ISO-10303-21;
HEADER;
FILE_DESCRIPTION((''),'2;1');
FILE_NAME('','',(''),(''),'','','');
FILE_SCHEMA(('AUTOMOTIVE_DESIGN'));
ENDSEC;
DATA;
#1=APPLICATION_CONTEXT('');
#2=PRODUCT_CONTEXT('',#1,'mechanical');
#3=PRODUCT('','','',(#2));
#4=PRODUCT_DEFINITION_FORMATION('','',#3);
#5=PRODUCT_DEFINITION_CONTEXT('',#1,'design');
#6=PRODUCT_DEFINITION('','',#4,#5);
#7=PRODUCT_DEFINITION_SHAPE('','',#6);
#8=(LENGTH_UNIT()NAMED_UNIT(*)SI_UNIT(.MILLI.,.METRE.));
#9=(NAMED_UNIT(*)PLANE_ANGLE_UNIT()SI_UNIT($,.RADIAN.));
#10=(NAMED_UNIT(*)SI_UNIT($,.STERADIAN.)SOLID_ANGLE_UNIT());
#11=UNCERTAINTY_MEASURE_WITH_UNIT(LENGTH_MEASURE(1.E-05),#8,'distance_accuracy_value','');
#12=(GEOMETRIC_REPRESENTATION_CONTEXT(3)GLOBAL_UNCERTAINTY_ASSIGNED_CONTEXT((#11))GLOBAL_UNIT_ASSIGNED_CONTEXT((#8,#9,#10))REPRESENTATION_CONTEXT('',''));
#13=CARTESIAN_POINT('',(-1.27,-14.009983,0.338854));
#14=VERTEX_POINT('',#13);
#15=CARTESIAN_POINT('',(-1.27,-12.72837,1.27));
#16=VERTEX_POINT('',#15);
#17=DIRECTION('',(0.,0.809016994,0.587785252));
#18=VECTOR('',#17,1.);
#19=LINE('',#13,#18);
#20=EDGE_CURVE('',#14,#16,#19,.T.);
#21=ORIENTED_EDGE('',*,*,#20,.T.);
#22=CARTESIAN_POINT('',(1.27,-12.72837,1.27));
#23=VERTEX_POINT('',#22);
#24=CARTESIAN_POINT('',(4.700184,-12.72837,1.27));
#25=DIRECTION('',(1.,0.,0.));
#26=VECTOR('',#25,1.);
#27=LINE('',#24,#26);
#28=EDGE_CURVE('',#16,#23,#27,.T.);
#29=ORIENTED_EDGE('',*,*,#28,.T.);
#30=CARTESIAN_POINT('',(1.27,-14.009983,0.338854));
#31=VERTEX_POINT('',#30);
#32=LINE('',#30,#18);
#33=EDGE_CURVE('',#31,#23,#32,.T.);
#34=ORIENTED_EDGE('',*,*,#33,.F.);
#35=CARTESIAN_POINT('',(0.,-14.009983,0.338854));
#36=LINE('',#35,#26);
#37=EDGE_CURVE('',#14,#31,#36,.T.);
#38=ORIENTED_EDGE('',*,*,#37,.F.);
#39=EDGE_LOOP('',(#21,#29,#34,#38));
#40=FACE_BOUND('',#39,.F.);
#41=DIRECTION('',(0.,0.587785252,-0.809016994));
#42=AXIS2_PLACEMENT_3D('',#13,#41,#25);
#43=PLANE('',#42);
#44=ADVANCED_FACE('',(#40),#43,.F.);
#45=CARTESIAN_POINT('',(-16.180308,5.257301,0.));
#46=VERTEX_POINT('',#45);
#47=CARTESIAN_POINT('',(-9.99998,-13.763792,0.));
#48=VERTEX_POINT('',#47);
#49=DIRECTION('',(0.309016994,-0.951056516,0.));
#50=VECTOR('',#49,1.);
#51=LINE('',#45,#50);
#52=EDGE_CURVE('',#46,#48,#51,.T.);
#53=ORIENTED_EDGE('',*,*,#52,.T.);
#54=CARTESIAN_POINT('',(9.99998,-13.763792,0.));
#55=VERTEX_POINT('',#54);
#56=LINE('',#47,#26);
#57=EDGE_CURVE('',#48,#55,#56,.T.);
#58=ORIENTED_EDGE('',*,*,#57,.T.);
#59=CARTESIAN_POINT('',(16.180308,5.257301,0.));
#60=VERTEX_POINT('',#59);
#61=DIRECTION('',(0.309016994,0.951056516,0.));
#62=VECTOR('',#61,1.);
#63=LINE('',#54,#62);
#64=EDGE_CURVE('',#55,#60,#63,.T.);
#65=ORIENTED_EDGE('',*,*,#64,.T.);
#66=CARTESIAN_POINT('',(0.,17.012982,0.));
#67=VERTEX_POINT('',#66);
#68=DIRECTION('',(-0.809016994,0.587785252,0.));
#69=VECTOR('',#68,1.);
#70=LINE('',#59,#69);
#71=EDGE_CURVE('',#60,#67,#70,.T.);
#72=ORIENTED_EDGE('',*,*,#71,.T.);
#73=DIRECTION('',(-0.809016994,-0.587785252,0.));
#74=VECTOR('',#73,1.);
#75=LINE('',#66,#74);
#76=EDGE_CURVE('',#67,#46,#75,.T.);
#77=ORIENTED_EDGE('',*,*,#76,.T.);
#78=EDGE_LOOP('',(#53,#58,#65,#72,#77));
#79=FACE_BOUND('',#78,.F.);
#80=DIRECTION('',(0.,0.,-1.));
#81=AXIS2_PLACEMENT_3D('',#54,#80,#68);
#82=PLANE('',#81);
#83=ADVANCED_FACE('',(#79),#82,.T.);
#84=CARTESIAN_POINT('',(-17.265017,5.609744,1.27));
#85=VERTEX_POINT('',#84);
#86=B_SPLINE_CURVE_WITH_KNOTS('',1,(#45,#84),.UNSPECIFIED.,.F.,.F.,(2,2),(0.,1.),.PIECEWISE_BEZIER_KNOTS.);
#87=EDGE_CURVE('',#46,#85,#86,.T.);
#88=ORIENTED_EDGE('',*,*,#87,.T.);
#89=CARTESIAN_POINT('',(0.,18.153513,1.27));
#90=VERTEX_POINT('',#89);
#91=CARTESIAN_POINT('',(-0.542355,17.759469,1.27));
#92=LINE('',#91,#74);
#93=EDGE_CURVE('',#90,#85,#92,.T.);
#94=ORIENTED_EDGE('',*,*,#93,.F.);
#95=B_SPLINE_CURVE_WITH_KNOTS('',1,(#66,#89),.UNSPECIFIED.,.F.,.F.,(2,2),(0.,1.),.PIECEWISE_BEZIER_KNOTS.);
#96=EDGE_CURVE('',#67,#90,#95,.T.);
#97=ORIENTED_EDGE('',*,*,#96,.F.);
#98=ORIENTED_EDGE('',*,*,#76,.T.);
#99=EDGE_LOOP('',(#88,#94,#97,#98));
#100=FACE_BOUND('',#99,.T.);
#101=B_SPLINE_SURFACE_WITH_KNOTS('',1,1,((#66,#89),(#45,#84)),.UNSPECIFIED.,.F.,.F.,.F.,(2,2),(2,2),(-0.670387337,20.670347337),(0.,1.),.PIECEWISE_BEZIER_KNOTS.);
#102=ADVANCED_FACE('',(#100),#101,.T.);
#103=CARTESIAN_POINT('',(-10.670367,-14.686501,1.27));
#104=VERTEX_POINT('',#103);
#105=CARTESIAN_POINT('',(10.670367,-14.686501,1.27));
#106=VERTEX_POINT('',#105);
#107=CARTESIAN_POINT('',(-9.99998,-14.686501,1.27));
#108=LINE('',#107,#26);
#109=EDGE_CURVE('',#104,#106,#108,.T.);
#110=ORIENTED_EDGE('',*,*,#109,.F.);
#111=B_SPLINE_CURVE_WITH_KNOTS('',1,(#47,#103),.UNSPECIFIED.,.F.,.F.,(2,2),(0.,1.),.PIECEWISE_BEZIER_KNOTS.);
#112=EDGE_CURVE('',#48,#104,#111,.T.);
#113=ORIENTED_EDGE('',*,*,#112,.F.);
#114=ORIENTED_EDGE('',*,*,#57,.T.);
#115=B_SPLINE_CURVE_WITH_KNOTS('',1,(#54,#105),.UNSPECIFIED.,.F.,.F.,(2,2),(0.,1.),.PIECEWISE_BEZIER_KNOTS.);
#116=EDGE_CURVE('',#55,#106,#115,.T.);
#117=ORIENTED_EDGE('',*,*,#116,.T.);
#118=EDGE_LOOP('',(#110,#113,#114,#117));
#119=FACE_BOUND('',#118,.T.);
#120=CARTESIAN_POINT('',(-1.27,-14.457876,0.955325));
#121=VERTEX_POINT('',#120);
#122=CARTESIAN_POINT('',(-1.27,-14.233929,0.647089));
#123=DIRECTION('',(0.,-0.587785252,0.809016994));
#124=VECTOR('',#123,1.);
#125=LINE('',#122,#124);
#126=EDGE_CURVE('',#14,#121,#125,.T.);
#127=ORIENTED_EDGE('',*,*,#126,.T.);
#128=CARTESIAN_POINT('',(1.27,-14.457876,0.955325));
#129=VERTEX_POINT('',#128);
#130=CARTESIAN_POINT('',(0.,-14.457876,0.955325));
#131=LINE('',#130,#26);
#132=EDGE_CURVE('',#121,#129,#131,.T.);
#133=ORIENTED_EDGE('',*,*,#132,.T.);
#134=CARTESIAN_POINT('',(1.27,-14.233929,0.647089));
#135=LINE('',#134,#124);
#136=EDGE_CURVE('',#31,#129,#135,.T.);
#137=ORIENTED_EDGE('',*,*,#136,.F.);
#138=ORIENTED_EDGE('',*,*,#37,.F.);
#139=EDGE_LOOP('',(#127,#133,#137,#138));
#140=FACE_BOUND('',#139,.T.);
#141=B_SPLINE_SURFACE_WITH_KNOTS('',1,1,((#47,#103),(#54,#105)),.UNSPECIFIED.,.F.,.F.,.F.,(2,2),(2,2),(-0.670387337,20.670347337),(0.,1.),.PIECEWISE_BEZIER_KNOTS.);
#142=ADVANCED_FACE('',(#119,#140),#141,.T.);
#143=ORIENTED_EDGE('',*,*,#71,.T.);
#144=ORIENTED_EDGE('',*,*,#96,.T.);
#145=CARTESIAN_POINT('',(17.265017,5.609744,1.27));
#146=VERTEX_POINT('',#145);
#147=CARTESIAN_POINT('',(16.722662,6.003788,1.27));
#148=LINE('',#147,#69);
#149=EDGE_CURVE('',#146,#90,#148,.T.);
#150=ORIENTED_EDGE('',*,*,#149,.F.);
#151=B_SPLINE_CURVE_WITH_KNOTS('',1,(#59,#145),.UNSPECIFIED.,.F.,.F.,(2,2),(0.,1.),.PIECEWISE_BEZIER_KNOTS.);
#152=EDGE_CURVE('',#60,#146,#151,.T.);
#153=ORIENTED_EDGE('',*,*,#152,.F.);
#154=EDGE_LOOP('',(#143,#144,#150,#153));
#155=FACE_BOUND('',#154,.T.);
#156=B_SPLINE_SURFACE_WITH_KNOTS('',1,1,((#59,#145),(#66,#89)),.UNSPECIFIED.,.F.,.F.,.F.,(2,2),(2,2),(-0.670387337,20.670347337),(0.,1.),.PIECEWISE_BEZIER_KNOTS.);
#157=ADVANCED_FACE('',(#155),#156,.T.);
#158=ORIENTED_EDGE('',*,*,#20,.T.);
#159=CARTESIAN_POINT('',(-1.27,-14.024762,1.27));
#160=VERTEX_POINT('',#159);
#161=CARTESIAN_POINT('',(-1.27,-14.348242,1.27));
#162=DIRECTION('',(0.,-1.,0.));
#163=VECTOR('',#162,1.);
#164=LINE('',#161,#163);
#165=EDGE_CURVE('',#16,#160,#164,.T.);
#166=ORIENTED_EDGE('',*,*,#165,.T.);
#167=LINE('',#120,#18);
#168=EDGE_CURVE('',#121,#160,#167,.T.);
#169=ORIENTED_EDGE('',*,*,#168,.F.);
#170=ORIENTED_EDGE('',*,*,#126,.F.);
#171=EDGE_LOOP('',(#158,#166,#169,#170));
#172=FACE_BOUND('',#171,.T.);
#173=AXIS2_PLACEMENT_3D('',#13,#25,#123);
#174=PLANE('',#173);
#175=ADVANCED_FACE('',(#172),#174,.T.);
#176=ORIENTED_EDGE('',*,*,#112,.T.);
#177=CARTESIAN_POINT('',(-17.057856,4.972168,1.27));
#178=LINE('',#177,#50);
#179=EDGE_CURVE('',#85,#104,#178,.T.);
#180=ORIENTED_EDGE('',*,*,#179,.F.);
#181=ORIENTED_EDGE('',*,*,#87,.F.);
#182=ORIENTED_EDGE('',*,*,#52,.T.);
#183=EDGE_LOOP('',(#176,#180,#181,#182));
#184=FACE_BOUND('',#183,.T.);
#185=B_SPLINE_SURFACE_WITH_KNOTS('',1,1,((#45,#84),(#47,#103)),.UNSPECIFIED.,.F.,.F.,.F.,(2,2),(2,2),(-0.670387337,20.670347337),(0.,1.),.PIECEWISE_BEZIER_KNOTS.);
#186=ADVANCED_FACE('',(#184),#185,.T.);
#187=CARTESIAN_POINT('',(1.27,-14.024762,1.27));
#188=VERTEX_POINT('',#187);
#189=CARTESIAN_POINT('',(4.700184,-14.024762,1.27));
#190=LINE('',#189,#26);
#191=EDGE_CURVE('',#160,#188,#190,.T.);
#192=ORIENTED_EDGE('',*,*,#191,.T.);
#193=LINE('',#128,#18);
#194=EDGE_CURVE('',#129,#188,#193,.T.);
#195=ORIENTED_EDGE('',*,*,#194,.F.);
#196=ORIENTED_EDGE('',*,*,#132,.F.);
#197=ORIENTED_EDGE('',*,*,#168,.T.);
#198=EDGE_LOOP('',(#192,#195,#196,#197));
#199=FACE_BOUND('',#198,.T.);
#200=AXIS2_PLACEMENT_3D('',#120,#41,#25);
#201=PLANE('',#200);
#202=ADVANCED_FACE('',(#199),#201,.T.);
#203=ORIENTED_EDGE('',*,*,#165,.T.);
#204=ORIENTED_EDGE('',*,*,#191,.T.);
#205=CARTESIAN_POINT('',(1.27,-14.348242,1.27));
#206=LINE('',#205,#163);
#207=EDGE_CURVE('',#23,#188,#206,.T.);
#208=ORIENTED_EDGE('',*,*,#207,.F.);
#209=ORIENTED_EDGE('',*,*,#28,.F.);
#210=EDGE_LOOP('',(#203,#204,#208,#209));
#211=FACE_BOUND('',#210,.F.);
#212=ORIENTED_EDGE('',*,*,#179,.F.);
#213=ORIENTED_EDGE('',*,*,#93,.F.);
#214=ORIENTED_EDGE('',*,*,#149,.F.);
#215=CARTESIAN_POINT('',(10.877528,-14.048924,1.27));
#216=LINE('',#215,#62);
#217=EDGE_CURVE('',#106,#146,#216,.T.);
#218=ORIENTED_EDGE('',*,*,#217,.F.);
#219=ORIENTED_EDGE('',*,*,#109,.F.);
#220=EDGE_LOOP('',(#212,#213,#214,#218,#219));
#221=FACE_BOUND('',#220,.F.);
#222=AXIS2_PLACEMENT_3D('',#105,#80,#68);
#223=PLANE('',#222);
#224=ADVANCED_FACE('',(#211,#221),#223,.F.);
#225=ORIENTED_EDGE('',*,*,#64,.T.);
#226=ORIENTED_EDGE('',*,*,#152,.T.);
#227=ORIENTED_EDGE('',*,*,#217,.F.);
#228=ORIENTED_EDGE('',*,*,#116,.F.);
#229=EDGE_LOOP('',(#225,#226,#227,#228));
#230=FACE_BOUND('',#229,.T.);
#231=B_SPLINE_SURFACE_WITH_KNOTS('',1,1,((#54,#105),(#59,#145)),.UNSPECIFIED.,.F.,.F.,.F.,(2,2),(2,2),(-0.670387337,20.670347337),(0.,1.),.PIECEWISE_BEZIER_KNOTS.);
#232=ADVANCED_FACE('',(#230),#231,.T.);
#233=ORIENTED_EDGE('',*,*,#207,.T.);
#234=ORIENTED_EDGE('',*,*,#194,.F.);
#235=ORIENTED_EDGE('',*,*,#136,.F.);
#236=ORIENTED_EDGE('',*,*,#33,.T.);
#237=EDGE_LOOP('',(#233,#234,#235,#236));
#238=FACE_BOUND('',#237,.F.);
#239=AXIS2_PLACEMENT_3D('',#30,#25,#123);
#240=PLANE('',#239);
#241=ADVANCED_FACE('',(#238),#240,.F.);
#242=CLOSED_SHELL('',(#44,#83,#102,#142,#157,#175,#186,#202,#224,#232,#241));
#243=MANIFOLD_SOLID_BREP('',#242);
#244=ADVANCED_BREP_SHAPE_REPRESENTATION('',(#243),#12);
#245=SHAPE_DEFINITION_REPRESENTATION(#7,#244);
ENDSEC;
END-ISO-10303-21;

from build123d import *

# Parameters (mm, degrees)
F1_DEPTH = 1.27
F1_TAPER = -36
F2_W     = 2.54
F2_H     = 0.762
F3_DEPTH = 25.4


with BuildPart() as f1:
    # F0 (on Top) → F1 (new body)
    with BuildSketch(Plane.XY):
        Polygon((9.99998, -13.7637916771), (16.1803075268, 5.2573006066), (0, 17.012982141), (-16.1803075268, 5.2573006066), (-9.99998, -13.7637916771), align=None)
    extrude(amount=F1_DEPTH, taper=F1_TAPER)

    # F2 (on face) → F3 (cut)
    with BuildSketch(Plane(origin=(0, -9.0085186062, -6.5450718817), x_dir=(1, 0, 0), z_dir=(0, -0.8090169944, -0.5877852523))):
        with Locations((0, 8.89)):
            Rectangle(F2_W, F2_H)
    extrude(amount=-F3_DEPTH, mode=Mode.SUBTRACT)


solid = f1.part
